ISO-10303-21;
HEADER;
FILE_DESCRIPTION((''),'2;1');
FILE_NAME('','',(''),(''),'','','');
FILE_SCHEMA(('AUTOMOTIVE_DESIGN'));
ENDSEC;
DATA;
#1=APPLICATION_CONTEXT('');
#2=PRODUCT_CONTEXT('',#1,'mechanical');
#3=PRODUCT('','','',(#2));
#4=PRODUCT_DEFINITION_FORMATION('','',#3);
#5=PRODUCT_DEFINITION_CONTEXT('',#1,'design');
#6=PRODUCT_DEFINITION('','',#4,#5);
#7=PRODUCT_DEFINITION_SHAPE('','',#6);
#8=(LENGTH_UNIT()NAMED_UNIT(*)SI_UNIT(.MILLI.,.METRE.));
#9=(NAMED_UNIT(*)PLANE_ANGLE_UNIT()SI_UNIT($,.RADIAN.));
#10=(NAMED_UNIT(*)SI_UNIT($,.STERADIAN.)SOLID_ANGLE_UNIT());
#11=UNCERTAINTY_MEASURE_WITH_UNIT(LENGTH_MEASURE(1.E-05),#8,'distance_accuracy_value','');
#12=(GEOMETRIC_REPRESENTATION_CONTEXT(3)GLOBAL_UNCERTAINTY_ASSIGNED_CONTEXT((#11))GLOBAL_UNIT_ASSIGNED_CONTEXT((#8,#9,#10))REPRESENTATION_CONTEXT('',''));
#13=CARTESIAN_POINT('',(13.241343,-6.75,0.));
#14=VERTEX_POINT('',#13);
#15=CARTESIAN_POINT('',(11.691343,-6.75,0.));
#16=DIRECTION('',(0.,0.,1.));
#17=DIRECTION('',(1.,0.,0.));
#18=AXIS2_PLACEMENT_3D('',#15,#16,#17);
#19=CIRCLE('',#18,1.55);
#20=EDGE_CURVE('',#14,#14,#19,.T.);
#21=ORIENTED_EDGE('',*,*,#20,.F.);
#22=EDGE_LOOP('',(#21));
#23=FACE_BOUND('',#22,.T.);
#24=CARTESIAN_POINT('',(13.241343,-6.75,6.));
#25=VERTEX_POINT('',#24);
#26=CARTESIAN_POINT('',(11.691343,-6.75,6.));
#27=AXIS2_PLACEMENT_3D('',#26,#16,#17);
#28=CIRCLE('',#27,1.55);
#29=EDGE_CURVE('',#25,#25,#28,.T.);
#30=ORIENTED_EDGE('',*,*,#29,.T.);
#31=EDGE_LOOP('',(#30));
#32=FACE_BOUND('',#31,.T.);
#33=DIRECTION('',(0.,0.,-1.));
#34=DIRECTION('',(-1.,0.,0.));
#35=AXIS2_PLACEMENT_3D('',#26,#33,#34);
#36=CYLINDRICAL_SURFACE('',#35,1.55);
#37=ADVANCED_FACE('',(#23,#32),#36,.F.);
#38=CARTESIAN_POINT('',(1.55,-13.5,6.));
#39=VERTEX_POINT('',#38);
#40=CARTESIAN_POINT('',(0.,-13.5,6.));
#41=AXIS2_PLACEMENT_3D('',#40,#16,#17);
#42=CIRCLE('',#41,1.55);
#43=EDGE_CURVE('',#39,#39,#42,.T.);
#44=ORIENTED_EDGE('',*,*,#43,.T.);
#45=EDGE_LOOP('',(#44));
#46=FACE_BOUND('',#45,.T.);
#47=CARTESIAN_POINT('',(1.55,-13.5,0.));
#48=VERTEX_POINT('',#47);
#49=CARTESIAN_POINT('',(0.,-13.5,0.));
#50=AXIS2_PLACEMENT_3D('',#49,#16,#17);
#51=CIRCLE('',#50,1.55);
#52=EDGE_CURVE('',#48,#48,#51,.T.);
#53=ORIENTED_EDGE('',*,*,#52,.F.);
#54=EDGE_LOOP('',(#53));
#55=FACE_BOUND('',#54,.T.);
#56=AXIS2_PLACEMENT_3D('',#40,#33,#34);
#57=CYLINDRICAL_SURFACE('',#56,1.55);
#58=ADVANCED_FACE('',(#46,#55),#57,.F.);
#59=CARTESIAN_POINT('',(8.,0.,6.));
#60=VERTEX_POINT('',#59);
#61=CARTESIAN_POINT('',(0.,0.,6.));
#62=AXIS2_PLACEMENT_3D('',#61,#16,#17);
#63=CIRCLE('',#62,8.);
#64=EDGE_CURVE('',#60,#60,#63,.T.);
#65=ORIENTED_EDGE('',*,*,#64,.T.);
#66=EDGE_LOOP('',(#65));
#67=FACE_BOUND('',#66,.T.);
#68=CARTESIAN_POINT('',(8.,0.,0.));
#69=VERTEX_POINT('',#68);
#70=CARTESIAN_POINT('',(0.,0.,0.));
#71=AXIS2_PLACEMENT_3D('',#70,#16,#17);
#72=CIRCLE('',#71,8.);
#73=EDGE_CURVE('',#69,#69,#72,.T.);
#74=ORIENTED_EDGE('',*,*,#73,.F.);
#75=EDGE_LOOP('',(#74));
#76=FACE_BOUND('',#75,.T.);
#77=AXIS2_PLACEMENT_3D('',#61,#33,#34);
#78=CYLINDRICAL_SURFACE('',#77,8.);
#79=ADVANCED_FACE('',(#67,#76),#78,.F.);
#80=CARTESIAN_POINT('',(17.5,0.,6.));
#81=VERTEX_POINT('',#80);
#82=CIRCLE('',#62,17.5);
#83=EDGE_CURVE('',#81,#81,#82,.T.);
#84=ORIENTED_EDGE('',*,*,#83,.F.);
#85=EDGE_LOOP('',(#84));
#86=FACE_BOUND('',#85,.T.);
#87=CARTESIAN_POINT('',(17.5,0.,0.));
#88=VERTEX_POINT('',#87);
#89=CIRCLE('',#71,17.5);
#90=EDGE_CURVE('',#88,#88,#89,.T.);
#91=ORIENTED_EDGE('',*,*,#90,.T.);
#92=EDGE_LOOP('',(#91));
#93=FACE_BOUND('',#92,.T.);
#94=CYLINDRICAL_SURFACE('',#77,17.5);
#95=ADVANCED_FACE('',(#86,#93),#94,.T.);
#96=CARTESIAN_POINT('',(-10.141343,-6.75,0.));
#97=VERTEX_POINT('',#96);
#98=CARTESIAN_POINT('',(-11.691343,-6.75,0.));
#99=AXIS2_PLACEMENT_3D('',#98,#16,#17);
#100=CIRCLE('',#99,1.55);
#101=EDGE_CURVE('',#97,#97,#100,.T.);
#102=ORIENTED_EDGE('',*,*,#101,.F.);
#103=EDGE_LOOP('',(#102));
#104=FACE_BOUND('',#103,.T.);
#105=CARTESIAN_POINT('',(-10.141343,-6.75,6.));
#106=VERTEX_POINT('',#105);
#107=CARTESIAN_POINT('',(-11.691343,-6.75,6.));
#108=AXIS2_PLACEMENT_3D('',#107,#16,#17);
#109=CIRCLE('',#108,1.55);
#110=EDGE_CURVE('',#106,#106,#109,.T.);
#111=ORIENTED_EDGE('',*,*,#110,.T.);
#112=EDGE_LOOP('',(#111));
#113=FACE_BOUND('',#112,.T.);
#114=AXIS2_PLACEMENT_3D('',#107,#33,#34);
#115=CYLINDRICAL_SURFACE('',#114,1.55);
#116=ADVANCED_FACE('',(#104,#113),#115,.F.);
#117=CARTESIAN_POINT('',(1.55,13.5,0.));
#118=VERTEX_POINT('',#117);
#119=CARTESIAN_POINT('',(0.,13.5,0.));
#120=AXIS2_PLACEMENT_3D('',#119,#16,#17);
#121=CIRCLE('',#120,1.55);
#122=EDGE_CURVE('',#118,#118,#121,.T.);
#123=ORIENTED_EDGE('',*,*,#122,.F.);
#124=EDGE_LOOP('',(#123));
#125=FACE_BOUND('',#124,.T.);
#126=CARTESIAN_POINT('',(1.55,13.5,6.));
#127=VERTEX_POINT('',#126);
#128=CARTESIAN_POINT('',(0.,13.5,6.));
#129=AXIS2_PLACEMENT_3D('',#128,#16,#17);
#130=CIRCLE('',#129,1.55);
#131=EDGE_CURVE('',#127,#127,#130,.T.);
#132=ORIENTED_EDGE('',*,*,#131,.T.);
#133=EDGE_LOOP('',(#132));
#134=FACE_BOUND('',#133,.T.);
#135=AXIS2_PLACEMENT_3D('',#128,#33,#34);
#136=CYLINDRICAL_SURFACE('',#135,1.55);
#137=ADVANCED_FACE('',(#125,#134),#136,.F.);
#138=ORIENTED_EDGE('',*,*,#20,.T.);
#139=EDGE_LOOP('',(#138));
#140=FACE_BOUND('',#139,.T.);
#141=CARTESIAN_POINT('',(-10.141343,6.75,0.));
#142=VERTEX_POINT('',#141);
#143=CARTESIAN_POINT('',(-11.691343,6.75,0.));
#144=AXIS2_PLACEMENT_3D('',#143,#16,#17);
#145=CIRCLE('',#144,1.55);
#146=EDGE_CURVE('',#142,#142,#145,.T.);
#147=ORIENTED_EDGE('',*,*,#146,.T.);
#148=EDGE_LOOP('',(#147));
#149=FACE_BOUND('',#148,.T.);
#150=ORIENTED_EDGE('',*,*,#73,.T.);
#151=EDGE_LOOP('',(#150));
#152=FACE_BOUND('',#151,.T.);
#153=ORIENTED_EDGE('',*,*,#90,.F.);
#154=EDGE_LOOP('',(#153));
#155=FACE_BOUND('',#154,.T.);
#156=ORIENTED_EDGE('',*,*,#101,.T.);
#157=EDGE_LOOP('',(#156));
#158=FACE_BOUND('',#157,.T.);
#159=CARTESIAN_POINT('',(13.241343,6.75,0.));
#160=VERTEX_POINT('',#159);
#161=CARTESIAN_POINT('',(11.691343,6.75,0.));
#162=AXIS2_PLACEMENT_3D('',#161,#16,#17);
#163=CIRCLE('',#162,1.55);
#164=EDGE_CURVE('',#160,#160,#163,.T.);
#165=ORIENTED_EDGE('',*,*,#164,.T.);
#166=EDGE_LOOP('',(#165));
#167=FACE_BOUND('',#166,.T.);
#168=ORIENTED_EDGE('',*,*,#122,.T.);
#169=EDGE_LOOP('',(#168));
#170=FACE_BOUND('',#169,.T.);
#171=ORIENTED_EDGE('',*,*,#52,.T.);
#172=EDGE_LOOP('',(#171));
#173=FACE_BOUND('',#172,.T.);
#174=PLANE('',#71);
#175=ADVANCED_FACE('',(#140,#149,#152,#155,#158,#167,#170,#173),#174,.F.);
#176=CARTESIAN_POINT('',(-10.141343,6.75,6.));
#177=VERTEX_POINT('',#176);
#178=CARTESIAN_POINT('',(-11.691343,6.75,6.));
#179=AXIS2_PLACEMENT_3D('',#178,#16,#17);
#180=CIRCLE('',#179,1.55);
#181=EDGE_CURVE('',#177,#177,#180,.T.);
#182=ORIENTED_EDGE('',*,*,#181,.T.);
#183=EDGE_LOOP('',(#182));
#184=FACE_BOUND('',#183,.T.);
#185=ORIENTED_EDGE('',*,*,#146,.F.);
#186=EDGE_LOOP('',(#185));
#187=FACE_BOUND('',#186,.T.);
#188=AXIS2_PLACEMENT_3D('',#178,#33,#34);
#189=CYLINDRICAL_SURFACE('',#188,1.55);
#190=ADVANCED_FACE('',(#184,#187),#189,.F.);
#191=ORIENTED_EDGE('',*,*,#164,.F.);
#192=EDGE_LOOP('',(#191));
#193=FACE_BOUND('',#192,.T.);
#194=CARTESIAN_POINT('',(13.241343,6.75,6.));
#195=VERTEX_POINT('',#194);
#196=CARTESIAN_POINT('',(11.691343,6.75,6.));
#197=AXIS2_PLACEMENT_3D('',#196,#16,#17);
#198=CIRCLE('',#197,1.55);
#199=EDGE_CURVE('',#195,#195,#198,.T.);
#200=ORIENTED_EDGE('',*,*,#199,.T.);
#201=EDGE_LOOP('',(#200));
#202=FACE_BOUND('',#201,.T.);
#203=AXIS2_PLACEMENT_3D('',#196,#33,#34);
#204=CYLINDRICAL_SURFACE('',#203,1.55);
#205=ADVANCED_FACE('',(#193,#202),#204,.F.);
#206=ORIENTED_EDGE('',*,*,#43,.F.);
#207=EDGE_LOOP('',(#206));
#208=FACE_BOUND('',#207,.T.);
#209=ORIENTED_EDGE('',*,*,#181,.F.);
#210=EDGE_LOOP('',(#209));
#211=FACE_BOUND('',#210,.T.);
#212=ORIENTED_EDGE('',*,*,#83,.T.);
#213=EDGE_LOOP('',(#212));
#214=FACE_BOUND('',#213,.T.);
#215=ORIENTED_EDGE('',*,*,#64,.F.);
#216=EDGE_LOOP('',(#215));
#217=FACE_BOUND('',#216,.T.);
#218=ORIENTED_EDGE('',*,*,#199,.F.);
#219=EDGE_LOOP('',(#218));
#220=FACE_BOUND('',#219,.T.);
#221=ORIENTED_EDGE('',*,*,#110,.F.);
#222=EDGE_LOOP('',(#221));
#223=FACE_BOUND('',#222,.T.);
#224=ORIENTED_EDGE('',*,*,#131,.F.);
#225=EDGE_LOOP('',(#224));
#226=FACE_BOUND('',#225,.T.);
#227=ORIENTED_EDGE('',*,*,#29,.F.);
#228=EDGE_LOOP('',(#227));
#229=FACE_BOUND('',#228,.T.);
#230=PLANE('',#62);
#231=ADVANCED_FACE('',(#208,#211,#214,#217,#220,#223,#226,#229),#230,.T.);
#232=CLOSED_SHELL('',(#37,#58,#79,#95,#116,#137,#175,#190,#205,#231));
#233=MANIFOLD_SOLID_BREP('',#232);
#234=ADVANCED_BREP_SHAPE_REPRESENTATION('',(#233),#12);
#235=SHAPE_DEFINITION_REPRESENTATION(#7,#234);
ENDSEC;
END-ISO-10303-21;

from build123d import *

# Parameters (mm, degrees)
SKETCH_1_R      = 17.5
SKETCH_1_R_2    = 8
SKETCH_1_R_3    = 1.55
EXTRUDE_1_DEPTH = 6


with BuildPart() as part:
    # 草图1 → 凸台-拉伸1 (new body)
    with BuildSketch(Plane.XY):
        Circle(SKETCH_1_R)
        Circle(SKETCH_1_R_2, mode=Mode.SUBTRACT)
        with Locations((0, 13.5)):
            Circle(SKETCH_1_R_3, mode=Mode.SUBTRACT)
        with Locations((11.691342951, -6.75)):
            Circle(SKETCH_1_R_3, mode=Mode.SUBTRACT)
        with Locations((-11.691342951, 6.75)):
            Circle(SKETCH_1_R_3, mode=Mode.SUBTRACT)
        with Locations((-11.691342951, -6.75)):
            Circle(SKETCH_1_R_3, mode=Mode.SUBTRACT)
        with Locations((11.691342951, 6.75)):
            Circle(SKETCH_1_R_3, mode=Mode.SUBTRACT)
        with Locations((0, -13.5)):
            Circle(SKETCH_1_R_3, mode=Mode.SUBTRACT)
    extrude(amount=EXTRUDE_1_DEPTH)


solid = part.part
